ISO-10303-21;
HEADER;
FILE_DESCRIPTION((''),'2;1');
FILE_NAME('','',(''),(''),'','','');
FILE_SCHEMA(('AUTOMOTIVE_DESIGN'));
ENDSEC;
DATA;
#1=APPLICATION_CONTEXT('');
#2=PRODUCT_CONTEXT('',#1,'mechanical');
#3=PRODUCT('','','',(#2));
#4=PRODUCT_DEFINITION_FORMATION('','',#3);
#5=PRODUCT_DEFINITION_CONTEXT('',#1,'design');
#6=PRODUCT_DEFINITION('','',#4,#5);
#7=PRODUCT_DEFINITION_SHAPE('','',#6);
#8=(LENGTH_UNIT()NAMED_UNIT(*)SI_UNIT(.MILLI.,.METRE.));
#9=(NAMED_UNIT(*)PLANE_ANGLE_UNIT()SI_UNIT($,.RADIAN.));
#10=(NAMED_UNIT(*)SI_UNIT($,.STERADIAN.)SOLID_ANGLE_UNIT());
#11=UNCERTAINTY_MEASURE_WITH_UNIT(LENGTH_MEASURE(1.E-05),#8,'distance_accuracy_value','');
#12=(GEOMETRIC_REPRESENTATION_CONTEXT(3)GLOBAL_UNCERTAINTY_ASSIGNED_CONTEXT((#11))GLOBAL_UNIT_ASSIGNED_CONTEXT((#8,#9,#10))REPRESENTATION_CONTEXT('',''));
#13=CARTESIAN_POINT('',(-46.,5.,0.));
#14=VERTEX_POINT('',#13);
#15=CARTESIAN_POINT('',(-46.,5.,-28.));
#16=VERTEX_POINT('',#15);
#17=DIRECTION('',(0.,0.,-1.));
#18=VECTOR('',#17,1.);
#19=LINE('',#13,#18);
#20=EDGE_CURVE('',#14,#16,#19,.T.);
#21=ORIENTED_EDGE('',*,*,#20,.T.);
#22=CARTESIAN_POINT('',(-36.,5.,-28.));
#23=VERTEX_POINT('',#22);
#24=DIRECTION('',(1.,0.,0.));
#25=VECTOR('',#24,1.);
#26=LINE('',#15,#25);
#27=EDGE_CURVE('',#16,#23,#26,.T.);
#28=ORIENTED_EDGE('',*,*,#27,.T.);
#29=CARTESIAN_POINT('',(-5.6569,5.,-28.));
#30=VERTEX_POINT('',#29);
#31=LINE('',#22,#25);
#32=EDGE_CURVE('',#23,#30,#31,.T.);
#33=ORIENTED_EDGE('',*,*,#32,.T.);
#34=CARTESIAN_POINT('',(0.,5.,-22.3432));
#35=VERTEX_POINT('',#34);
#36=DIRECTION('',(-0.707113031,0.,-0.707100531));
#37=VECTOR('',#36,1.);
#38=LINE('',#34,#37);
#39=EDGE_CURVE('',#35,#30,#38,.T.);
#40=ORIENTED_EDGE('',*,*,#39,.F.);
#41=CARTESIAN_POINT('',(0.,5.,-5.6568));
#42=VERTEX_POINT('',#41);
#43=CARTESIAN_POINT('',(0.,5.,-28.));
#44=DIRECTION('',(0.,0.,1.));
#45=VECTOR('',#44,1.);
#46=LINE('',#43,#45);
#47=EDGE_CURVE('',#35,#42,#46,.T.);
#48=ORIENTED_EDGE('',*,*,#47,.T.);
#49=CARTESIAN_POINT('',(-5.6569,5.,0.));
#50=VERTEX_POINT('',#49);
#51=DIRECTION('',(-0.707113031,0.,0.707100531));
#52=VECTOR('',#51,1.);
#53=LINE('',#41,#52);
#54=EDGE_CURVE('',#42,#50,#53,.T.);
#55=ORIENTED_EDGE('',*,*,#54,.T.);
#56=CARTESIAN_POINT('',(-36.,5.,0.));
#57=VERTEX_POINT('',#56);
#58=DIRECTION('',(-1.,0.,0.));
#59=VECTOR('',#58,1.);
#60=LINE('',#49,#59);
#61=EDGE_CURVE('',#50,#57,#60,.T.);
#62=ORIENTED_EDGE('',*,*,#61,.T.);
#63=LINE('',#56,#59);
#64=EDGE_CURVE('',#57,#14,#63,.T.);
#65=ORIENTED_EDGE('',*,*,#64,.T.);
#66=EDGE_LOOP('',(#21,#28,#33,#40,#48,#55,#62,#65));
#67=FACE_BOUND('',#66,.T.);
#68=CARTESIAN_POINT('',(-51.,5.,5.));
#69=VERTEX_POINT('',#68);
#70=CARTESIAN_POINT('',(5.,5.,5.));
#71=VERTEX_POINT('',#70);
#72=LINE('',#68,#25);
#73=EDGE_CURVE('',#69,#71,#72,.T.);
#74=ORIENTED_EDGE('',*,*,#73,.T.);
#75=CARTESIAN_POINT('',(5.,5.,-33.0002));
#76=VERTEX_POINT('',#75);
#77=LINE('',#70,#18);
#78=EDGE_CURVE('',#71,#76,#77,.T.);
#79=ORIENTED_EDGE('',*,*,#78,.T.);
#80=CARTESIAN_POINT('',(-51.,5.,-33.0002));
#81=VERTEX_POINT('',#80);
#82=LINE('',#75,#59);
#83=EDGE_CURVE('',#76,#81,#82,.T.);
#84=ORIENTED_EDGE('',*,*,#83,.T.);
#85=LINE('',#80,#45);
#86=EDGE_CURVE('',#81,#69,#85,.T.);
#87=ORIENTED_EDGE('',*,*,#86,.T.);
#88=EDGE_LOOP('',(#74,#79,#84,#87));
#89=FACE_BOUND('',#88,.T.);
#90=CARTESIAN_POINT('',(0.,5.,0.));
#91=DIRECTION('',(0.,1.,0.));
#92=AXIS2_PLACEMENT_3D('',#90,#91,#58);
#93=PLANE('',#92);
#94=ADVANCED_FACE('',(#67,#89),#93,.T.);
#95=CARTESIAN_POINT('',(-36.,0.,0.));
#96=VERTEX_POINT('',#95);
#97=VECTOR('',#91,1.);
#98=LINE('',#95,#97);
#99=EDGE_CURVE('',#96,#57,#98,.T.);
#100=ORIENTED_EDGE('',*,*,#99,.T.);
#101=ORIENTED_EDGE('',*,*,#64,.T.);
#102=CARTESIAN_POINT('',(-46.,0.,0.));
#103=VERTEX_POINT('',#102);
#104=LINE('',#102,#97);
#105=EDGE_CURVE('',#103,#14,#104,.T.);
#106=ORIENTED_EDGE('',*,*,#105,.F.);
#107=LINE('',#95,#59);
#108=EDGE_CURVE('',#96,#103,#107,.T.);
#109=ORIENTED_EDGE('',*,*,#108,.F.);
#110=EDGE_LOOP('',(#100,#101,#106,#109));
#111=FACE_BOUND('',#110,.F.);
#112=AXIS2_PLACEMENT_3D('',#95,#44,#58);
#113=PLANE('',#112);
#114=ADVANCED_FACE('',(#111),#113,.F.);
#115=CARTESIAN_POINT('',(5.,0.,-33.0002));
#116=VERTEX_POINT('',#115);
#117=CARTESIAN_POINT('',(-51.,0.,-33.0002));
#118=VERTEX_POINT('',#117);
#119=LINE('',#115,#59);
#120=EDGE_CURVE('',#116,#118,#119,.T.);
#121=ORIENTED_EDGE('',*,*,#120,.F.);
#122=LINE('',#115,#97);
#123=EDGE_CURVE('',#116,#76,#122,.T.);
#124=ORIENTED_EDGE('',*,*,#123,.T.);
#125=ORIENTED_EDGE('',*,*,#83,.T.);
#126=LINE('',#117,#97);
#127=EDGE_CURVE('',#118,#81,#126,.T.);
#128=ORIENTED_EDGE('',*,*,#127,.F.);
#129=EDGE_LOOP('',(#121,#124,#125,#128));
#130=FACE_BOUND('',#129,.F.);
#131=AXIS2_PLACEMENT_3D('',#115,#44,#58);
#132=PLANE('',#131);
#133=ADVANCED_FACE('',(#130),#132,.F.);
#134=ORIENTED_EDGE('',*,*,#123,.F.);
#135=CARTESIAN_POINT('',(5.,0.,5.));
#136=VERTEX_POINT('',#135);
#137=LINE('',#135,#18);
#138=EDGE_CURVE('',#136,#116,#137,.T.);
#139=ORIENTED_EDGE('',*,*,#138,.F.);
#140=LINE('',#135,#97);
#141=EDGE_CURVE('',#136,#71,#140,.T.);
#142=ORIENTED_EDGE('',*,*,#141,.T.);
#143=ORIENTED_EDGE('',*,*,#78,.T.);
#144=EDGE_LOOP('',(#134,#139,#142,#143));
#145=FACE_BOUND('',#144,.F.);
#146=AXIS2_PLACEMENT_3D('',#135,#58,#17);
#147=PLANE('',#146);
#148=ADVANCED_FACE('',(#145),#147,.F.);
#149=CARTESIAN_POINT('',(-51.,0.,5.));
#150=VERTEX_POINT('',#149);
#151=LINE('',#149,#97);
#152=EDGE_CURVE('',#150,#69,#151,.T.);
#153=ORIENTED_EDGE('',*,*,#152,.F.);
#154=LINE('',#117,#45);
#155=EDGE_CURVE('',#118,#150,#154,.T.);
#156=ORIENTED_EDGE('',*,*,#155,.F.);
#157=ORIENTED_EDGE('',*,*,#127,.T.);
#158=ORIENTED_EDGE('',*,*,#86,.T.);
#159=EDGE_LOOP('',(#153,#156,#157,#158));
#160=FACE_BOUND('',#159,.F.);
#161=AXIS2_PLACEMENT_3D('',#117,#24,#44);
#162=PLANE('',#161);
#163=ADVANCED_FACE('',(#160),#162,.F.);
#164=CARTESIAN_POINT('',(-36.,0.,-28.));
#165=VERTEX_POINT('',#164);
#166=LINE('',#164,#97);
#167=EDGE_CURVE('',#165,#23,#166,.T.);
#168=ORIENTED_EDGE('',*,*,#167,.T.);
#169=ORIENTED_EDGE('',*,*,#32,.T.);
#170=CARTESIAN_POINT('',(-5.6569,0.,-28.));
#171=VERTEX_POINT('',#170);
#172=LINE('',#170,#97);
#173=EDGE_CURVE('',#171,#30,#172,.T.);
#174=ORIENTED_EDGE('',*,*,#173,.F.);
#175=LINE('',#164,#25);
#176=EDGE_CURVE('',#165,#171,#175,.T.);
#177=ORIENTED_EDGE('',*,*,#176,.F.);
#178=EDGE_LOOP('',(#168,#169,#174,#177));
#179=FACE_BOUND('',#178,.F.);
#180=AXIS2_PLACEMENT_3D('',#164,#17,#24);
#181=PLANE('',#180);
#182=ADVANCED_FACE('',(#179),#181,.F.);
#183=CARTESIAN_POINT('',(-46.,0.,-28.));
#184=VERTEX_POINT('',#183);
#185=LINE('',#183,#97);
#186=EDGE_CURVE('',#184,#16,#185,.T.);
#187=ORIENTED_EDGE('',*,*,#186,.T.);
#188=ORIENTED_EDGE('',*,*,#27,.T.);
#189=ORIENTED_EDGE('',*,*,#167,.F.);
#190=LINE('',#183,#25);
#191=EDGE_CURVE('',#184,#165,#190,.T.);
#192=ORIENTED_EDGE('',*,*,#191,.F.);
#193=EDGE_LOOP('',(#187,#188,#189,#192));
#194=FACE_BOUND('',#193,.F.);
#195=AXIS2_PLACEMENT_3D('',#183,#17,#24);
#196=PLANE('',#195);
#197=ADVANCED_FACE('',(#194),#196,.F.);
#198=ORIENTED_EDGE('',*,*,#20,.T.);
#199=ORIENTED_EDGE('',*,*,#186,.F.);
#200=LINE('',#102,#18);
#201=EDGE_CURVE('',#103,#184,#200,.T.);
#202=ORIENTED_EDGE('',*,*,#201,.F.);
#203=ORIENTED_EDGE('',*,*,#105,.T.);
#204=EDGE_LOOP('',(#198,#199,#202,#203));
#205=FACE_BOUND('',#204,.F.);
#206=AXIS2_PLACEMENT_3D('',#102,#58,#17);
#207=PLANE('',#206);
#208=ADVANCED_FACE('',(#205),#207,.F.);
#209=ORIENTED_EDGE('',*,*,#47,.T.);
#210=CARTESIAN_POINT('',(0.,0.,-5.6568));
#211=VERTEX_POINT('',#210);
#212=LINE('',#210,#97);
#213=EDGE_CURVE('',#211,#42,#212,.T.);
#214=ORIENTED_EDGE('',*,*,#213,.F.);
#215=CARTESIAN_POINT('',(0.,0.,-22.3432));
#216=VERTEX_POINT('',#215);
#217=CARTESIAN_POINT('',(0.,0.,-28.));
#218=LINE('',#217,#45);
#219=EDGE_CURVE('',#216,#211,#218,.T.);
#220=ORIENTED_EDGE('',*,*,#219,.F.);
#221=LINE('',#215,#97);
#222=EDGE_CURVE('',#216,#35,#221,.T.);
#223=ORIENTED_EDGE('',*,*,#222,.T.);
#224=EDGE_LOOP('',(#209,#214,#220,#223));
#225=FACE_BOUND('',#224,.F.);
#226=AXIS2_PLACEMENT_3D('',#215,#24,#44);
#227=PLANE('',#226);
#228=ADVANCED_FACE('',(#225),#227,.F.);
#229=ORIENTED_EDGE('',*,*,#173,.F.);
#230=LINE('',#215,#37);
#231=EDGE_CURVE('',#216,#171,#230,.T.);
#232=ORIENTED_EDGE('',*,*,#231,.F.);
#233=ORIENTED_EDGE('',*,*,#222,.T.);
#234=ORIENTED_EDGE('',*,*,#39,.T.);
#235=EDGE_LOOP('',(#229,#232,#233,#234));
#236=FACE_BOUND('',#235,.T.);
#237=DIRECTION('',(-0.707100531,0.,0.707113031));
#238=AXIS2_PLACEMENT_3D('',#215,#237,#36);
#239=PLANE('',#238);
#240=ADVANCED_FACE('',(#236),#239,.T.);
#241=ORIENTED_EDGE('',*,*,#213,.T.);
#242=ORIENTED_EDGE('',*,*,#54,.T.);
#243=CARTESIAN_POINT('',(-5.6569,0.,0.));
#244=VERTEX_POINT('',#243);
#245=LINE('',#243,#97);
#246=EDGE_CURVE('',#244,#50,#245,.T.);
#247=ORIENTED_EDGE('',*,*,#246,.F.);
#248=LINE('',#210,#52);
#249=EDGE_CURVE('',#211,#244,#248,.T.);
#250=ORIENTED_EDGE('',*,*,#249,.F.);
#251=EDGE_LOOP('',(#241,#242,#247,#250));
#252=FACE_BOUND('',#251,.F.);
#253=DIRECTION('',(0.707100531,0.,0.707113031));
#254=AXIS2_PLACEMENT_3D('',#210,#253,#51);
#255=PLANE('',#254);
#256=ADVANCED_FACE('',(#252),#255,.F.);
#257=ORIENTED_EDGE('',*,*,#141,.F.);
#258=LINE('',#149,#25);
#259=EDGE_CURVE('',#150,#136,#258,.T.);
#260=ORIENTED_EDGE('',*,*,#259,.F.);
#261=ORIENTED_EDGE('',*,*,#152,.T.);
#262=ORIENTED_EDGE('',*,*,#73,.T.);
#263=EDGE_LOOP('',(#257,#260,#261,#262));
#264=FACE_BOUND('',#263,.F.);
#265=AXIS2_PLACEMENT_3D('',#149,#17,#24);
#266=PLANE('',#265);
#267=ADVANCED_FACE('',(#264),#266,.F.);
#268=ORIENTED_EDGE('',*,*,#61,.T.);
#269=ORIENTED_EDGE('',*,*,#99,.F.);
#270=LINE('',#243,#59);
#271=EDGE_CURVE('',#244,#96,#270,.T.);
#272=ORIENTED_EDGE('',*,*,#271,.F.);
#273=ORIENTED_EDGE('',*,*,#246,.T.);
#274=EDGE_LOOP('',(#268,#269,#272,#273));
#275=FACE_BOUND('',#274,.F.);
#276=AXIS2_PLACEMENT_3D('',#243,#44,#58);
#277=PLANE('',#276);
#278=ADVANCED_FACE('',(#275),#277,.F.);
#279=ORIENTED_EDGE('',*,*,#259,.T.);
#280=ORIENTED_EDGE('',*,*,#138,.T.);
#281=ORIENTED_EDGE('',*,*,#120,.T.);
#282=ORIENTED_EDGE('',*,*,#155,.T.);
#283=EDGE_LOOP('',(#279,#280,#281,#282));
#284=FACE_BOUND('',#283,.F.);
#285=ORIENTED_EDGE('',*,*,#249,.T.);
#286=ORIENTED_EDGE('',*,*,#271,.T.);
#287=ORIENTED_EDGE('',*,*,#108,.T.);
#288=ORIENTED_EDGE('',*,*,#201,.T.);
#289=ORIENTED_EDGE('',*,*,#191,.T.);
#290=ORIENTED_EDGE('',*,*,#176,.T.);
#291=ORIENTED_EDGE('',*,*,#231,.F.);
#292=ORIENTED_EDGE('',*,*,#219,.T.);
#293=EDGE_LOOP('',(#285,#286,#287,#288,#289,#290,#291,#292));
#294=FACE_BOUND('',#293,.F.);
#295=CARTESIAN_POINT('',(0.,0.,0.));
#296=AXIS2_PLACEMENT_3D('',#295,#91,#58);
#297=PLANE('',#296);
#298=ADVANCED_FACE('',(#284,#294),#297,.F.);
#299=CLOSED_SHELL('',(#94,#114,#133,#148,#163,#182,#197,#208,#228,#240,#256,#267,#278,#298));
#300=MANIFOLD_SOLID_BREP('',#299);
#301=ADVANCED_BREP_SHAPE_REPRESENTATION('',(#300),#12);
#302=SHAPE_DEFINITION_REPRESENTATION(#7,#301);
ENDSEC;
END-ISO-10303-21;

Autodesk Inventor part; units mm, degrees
ref_plane "YZ Plane" through (0, 0, 0) normal (1, 0, 0) x (0, 1, 0)
ref_plane "XZ Plane" through (0, 0, 0) normal (0, 1, 0) x (-1, 0, 0)
ref_plane "XY Plane" through (0, 0, 0) normal (0, 0, 1) x (1, 0, 0)
sketch "Sketch1" plane through (0, 0, 0) normal (0, 1, 0) x (-1, 0, 0)
  line L0 (5.6569, 0) -> (36, 0)
  line L1 (36, 0) -> (36, -28)
  line L2 (36, -28) -> (5.6569, -28)
  line L3 (0, -28) -> (0, -5.6568)
  line L4 (0, 0) -> (0, -5.6568)
  line L5 (0, -5.6568) -> (5.6569, 0)
  line L6 (36, -14) -> (0, -14) construction
  line L7 (5.6569, -28) -> (36, -28)
  line L8 (0, 0) -> (0, -22.3432)
  line L9 (0, -22.3432) -> (5.6569, -28)
  line L10 (41, -28) -> (41, 5) construction
  line L11 (41, 5) -> (3.5859, 5) construction
  line L12 (3.5859, 5) -> (-3.5355, -2.1212) construction
  line L13 (36, -33) -> (5.6569, -33) construction
  line L14 (36, 0) -> (46, 0) construction
  line L15 (46, 0) -> (46, -28) construction
  line L16 (46, -28) -> (36, -28) construction
  line L17 (36, -28) -> (36, 0) construction
  line L18 (51, 5) -> (31, 5) construction
  line L19 (31, 5) -> (31, -33) construction
  line L20 (31, -33) -> (51, -33) construction
  line L21 (51, -33) -> (51, 5) construction
  line L22 (0, 0) -> (-5, 0) construction
  line L23 (-5, 0) -> (-5, -8.8109) construction
  line L24 (-5, -8.8109) -> (0, -8.8109) construction
  line L25 (0, -8.8109) -> (0, 0) construction
  line L26 (51, 5) -> (-5, 5)
  line L27 (-5, 5) -> (-5, -33.0002)
  line L28 (-5, -33.0002) -> (51, -33.0002)
  line L29 (51, -33.0002) -> (51, 5)
  line L30 (36, 0) -> (46, 0)
  line L31 (46, 0) -> (46, -28)
  line L32 (46, -28) -> (36, -28)
  line L33 (36, -28) -> (36, 0)
  dimension "d0" = 36
  dimension "d1" = 28
  dimension "d3" = 8
  dimension "d4" = 5
  dimension "d5" = 5
  dimension "d6" = 10
  dimension "d7" = 5
  dimension "d8" = 5
extrude "Extrusion1" add sketch "Sketch1" along normal blind 5
properties part number "power_test"
